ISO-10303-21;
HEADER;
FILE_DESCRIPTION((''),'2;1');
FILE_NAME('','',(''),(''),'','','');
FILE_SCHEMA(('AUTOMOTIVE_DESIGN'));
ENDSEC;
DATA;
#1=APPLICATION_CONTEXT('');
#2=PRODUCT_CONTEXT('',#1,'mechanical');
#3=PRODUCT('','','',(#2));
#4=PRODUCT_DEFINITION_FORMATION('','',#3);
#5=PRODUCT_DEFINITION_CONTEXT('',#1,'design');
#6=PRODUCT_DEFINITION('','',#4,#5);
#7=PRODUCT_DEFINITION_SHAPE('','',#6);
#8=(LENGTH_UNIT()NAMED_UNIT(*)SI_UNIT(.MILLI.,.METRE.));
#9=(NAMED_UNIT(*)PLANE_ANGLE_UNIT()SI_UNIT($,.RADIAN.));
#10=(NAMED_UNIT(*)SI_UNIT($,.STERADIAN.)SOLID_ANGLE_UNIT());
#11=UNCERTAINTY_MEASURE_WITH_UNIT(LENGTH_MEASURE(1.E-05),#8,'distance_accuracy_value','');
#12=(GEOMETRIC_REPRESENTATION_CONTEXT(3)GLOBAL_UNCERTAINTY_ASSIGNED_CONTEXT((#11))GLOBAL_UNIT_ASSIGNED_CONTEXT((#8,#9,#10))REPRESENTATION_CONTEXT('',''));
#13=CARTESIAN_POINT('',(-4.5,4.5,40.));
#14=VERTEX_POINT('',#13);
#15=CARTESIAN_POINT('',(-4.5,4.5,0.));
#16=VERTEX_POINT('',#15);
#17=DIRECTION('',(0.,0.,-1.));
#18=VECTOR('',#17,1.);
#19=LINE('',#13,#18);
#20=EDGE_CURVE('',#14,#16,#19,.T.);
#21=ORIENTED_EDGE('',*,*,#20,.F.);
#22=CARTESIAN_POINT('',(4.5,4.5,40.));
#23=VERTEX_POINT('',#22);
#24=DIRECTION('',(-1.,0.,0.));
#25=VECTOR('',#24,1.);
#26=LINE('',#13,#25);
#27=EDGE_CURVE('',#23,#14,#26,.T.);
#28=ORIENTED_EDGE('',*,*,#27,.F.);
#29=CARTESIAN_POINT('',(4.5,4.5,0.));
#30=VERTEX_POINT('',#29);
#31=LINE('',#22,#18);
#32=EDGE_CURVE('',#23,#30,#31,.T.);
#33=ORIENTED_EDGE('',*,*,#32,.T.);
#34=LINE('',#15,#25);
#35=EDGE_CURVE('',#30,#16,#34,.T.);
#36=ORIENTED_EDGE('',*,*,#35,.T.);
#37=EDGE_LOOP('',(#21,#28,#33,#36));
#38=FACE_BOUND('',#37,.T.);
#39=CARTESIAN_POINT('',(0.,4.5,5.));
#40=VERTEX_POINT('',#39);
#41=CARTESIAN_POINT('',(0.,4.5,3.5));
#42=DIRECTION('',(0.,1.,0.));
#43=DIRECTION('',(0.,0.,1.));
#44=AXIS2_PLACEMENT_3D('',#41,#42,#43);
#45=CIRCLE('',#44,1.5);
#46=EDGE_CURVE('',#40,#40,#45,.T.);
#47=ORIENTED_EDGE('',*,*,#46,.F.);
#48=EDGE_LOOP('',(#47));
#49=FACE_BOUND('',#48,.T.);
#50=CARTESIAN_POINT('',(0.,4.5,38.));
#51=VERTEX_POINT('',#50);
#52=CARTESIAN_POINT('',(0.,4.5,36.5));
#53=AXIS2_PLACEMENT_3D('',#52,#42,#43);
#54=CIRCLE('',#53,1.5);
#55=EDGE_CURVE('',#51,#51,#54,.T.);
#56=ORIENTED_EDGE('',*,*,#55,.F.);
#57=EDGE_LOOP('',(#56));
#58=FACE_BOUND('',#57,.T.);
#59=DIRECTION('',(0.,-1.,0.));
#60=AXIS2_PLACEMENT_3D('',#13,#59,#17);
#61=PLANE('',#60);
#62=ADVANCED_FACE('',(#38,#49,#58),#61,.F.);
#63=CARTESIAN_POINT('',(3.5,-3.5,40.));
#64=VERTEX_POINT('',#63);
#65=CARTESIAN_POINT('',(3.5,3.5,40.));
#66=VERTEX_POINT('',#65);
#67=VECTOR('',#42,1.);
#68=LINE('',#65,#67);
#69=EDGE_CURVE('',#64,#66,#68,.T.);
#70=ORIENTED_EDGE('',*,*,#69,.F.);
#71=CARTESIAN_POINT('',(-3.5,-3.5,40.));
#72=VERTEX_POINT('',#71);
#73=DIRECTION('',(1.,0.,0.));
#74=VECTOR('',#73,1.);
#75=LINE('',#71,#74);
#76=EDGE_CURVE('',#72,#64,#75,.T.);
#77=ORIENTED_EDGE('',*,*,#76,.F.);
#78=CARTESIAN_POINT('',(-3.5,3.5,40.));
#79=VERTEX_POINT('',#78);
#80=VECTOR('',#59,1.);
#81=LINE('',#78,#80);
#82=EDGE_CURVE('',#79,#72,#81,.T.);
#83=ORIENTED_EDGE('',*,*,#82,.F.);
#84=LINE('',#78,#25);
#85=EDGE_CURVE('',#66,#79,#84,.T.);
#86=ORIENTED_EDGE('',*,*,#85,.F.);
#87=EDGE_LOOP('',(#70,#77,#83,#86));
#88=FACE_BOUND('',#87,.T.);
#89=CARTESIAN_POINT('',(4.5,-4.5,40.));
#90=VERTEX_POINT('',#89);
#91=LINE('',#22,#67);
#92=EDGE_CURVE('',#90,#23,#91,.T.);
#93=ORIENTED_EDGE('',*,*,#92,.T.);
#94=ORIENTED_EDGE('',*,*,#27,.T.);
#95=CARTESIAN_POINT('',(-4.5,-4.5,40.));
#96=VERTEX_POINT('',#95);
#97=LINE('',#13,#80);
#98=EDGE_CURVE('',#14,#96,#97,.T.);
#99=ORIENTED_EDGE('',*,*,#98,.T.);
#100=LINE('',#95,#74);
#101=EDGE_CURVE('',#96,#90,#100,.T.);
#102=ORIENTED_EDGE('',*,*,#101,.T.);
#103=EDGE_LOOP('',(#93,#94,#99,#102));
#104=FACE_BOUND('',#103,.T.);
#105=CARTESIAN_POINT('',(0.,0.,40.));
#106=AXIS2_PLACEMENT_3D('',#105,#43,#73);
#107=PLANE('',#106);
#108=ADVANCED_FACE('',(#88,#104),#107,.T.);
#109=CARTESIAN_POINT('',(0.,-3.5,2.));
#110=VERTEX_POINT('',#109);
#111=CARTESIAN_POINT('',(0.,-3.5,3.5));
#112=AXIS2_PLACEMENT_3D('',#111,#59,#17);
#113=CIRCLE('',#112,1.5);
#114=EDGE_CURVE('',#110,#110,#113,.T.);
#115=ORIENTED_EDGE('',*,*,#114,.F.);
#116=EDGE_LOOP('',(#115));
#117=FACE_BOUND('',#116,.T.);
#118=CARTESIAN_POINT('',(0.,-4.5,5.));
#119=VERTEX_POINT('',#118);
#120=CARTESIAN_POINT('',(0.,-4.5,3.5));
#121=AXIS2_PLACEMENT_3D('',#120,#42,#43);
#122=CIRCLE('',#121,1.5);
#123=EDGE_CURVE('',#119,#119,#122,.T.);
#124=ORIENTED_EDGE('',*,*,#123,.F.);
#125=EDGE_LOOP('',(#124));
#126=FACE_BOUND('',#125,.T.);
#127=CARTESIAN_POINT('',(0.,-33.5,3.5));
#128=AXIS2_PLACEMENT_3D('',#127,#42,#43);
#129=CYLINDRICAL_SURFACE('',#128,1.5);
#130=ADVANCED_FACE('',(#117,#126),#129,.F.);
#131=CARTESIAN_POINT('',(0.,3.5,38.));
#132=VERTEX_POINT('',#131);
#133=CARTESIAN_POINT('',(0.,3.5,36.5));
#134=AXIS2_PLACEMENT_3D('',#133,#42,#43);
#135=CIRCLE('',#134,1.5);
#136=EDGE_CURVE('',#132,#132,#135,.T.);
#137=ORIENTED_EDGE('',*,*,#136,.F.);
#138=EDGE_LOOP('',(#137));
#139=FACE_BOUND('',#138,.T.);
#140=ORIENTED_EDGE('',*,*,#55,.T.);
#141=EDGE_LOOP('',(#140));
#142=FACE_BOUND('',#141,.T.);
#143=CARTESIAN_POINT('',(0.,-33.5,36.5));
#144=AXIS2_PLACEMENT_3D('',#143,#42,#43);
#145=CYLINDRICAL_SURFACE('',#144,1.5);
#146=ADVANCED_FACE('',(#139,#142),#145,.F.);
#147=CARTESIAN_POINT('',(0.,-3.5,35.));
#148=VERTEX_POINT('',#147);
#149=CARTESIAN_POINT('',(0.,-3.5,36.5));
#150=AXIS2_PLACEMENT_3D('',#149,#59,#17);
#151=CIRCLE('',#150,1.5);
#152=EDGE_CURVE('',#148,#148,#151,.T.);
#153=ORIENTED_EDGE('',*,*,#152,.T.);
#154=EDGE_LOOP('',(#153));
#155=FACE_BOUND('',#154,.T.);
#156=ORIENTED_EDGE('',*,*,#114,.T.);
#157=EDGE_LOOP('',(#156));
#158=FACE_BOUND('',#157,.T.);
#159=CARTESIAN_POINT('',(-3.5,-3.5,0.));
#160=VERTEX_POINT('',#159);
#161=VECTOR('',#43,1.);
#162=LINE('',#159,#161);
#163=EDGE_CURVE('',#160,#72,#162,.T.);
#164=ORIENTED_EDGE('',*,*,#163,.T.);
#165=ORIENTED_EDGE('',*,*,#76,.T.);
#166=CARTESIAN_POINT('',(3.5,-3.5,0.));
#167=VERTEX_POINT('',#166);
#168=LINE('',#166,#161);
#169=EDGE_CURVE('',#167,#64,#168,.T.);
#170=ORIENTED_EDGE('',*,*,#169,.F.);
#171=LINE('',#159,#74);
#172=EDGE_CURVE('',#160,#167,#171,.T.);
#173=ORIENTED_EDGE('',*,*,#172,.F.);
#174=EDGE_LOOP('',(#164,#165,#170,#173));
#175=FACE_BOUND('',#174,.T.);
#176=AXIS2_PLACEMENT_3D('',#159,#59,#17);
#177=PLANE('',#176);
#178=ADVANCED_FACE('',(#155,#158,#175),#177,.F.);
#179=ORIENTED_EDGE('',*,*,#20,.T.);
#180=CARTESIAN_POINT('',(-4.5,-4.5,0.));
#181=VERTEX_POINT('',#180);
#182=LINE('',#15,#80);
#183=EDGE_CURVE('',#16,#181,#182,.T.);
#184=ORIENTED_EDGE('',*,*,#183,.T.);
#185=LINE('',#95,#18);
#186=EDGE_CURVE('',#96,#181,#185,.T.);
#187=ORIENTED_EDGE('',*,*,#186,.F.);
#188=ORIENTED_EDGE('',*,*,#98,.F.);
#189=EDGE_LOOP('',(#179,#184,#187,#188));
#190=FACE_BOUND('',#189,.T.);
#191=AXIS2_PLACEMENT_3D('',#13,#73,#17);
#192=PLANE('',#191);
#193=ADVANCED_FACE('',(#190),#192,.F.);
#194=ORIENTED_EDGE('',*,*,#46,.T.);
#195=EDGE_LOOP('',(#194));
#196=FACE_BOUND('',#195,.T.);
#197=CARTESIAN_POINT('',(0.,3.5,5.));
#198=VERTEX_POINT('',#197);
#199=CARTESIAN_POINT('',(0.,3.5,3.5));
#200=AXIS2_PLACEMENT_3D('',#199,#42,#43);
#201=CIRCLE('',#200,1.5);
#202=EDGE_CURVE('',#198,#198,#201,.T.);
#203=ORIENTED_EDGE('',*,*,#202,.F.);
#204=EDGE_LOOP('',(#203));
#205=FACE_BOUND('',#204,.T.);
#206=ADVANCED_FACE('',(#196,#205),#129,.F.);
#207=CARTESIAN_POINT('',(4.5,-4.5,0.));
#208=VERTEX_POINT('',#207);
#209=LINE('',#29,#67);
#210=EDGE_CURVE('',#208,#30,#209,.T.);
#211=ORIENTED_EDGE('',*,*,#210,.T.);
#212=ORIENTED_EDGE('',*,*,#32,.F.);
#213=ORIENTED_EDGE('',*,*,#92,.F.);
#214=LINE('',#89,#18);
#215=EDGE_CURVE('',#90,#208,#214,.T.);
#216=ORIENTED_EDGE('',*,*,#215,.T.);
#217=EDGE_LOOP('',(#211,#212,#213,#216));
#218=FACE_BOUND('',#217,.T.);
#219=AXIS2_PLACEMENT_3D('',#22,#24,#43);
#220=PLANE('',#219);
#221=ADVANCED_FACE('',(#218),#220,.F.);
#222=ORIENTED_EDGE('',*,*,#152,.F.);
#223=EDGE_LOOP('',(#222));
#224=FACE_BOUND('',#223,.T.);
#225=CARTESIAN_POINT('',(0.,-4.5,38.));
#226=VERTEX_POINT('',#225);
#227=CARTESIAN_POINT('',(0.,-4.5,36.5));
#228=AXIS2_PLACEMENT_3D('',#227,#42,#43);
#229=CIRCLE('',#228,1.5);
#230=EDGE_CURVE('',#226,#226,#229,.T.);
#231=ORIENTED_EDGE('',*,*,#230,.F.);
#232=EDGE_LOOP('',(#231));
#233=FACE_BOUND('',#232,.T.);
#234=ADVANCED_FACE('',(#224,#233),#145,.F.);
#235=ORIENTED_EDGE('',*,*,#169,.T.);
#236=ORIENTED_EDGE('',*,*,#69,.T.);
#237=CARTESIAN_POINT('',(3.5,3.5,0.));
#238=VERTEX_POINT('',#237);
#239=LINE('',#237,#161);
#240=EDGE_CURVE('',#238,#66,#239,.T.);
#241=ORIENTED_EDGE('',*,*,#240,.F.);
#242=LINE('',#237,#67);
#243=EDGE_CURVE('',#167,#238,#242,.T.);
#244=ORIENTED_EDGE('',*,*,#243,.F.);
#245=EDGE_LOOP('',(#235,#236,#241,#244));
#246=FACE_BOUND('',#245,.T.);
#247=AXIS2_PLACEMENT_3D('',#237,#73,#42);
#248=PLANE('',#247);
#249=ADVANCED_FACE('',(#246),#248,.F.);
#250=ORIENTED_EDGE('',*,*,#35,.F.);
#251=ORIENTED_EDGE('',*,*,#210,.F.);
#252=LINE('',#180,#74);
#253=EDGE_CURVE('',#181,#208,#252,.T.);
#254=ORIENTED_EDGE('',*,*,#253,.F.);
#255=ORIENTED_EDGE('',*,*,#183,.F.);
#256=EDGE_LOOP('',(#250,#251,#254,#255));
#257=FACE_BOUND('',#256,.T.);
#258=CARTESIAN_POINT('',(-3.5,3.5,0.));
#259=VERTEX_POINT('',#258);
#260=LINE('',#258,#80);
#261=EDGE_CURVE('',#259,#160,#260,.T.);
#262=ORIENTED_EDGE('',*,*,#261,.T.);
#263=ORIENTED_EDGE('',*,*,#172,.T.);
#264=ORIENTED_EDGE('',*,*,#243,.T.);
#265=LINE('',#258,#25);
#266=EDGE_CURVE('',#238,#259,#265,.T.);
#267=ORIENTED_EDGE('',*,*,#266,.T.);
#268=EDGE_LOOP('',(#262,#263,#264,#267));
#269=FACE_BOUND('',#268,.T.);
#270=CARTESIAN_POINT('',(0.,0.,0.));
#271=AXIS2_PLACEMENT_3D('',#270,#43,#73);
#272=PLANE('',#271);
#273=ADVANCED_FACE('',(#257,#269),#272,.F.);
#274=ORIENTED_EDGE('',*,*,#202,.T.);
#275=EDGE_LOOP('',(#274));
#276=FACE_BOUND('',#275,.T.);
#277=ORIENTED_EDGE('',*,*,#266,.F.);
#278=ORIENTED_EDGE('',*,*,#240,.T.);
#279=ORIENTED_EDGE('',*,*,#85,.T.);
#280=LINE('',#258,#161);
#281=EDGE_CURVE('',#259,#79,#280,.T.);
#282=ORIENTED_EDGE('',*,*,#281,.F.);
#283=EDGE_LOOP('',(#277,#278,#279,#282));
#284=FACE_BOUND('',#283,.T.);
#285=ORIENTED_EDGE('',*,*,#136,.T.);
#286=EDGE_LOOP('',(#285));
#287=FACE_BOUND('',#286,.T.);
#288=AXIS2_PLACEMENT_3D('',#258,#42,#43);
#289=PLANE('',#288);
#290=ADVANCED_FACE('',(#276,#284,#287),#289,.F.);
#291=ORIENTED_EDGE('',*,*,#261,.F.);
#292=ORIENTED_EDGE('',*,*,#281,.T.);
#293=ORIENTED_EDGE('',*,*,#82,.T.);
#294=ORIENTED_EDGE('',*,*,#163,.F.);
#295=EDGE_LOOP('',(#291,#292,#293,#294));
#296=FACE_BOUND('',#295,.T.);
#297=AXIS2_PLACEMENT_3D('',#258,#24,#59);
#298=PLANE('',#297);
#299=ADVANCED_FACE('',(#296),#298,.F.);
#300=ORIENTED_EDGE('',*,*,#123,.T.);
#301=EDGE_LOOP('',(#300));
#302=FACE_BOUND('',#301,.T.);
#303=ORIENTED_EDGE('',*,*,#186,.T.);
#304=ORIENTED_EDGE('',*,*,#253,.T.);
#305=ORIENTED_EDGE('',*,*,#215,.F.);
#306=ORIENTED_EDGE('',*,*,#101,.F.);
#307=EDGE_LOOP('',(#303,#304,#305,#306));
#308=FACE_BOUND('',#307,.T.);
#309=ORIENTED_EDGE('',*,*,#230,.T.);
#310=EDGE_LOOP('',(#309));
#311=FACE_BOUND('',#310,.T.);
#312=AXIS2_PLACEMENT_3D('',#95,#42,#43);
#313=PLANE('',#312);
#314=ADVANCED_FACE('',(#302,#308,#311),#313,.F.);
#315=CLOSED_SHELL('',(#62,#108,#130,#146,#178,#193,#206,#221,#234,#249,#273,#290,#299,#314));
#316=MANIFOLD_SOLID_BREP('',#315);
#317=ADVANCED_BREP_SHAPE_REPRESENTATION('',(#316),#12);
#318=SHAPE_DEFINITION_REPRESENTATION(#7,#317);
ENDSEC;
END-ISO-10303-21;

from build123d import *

# Parameters (mm, degrees)
SKETCH_1_W          = 9
SKETCH_1_H          = 9
EXTRUDE_1_DEPTH     = 40
SKETCH_2_W          = 7
SKETCH_2_H          = 7
CUT_EXTRUDE_1_DEPTH = 40
SKETCH_3_R          = 1.5
CUT_EXTRUDE_2_DEPTH = 38


with BuildPart() as part:
    # ｽｹｯﾁ1 → ﾎﾞｽ - 押し出し1 (new body)
    with BuildSketch(Plane.XY):
        Rectangle(SKETCH_1_W, SKETCH_1_H)
    extrude(amount=EXTRUDE_1_DEPTH)

    # ｽｹｯﾁ2 → ｶｯﾄ - 押し出し1 (cut)
    with BuildSketch(Plane.XY.offset(40)):
        Rectangle(SKETCH_2_W, SKETCH_2_H)
    extrude(amount=-CUT_EXTRUDE_1_DEPTH, mode=Mode.SUBTRACT)

    # ｽｹｯﾁ3 → ｶｯﾄ - 押し出し2 (cut)
    with BuildSketch(Plane(origin=(0, 4.5, 0), x_dir=(1, 0, 0), z_dir=(0, 1, 0))):
        with Locations((0, -3.5)):
            Circle(SKETCH_3_R)
        with Locations((0, -36.5)):
            Circle(SKETCH_3_R)
    extrude(amount=-CUT_EXTRUDE_2_DEPTH, mode=Mode.SUBTRACT)


solid = part.part
